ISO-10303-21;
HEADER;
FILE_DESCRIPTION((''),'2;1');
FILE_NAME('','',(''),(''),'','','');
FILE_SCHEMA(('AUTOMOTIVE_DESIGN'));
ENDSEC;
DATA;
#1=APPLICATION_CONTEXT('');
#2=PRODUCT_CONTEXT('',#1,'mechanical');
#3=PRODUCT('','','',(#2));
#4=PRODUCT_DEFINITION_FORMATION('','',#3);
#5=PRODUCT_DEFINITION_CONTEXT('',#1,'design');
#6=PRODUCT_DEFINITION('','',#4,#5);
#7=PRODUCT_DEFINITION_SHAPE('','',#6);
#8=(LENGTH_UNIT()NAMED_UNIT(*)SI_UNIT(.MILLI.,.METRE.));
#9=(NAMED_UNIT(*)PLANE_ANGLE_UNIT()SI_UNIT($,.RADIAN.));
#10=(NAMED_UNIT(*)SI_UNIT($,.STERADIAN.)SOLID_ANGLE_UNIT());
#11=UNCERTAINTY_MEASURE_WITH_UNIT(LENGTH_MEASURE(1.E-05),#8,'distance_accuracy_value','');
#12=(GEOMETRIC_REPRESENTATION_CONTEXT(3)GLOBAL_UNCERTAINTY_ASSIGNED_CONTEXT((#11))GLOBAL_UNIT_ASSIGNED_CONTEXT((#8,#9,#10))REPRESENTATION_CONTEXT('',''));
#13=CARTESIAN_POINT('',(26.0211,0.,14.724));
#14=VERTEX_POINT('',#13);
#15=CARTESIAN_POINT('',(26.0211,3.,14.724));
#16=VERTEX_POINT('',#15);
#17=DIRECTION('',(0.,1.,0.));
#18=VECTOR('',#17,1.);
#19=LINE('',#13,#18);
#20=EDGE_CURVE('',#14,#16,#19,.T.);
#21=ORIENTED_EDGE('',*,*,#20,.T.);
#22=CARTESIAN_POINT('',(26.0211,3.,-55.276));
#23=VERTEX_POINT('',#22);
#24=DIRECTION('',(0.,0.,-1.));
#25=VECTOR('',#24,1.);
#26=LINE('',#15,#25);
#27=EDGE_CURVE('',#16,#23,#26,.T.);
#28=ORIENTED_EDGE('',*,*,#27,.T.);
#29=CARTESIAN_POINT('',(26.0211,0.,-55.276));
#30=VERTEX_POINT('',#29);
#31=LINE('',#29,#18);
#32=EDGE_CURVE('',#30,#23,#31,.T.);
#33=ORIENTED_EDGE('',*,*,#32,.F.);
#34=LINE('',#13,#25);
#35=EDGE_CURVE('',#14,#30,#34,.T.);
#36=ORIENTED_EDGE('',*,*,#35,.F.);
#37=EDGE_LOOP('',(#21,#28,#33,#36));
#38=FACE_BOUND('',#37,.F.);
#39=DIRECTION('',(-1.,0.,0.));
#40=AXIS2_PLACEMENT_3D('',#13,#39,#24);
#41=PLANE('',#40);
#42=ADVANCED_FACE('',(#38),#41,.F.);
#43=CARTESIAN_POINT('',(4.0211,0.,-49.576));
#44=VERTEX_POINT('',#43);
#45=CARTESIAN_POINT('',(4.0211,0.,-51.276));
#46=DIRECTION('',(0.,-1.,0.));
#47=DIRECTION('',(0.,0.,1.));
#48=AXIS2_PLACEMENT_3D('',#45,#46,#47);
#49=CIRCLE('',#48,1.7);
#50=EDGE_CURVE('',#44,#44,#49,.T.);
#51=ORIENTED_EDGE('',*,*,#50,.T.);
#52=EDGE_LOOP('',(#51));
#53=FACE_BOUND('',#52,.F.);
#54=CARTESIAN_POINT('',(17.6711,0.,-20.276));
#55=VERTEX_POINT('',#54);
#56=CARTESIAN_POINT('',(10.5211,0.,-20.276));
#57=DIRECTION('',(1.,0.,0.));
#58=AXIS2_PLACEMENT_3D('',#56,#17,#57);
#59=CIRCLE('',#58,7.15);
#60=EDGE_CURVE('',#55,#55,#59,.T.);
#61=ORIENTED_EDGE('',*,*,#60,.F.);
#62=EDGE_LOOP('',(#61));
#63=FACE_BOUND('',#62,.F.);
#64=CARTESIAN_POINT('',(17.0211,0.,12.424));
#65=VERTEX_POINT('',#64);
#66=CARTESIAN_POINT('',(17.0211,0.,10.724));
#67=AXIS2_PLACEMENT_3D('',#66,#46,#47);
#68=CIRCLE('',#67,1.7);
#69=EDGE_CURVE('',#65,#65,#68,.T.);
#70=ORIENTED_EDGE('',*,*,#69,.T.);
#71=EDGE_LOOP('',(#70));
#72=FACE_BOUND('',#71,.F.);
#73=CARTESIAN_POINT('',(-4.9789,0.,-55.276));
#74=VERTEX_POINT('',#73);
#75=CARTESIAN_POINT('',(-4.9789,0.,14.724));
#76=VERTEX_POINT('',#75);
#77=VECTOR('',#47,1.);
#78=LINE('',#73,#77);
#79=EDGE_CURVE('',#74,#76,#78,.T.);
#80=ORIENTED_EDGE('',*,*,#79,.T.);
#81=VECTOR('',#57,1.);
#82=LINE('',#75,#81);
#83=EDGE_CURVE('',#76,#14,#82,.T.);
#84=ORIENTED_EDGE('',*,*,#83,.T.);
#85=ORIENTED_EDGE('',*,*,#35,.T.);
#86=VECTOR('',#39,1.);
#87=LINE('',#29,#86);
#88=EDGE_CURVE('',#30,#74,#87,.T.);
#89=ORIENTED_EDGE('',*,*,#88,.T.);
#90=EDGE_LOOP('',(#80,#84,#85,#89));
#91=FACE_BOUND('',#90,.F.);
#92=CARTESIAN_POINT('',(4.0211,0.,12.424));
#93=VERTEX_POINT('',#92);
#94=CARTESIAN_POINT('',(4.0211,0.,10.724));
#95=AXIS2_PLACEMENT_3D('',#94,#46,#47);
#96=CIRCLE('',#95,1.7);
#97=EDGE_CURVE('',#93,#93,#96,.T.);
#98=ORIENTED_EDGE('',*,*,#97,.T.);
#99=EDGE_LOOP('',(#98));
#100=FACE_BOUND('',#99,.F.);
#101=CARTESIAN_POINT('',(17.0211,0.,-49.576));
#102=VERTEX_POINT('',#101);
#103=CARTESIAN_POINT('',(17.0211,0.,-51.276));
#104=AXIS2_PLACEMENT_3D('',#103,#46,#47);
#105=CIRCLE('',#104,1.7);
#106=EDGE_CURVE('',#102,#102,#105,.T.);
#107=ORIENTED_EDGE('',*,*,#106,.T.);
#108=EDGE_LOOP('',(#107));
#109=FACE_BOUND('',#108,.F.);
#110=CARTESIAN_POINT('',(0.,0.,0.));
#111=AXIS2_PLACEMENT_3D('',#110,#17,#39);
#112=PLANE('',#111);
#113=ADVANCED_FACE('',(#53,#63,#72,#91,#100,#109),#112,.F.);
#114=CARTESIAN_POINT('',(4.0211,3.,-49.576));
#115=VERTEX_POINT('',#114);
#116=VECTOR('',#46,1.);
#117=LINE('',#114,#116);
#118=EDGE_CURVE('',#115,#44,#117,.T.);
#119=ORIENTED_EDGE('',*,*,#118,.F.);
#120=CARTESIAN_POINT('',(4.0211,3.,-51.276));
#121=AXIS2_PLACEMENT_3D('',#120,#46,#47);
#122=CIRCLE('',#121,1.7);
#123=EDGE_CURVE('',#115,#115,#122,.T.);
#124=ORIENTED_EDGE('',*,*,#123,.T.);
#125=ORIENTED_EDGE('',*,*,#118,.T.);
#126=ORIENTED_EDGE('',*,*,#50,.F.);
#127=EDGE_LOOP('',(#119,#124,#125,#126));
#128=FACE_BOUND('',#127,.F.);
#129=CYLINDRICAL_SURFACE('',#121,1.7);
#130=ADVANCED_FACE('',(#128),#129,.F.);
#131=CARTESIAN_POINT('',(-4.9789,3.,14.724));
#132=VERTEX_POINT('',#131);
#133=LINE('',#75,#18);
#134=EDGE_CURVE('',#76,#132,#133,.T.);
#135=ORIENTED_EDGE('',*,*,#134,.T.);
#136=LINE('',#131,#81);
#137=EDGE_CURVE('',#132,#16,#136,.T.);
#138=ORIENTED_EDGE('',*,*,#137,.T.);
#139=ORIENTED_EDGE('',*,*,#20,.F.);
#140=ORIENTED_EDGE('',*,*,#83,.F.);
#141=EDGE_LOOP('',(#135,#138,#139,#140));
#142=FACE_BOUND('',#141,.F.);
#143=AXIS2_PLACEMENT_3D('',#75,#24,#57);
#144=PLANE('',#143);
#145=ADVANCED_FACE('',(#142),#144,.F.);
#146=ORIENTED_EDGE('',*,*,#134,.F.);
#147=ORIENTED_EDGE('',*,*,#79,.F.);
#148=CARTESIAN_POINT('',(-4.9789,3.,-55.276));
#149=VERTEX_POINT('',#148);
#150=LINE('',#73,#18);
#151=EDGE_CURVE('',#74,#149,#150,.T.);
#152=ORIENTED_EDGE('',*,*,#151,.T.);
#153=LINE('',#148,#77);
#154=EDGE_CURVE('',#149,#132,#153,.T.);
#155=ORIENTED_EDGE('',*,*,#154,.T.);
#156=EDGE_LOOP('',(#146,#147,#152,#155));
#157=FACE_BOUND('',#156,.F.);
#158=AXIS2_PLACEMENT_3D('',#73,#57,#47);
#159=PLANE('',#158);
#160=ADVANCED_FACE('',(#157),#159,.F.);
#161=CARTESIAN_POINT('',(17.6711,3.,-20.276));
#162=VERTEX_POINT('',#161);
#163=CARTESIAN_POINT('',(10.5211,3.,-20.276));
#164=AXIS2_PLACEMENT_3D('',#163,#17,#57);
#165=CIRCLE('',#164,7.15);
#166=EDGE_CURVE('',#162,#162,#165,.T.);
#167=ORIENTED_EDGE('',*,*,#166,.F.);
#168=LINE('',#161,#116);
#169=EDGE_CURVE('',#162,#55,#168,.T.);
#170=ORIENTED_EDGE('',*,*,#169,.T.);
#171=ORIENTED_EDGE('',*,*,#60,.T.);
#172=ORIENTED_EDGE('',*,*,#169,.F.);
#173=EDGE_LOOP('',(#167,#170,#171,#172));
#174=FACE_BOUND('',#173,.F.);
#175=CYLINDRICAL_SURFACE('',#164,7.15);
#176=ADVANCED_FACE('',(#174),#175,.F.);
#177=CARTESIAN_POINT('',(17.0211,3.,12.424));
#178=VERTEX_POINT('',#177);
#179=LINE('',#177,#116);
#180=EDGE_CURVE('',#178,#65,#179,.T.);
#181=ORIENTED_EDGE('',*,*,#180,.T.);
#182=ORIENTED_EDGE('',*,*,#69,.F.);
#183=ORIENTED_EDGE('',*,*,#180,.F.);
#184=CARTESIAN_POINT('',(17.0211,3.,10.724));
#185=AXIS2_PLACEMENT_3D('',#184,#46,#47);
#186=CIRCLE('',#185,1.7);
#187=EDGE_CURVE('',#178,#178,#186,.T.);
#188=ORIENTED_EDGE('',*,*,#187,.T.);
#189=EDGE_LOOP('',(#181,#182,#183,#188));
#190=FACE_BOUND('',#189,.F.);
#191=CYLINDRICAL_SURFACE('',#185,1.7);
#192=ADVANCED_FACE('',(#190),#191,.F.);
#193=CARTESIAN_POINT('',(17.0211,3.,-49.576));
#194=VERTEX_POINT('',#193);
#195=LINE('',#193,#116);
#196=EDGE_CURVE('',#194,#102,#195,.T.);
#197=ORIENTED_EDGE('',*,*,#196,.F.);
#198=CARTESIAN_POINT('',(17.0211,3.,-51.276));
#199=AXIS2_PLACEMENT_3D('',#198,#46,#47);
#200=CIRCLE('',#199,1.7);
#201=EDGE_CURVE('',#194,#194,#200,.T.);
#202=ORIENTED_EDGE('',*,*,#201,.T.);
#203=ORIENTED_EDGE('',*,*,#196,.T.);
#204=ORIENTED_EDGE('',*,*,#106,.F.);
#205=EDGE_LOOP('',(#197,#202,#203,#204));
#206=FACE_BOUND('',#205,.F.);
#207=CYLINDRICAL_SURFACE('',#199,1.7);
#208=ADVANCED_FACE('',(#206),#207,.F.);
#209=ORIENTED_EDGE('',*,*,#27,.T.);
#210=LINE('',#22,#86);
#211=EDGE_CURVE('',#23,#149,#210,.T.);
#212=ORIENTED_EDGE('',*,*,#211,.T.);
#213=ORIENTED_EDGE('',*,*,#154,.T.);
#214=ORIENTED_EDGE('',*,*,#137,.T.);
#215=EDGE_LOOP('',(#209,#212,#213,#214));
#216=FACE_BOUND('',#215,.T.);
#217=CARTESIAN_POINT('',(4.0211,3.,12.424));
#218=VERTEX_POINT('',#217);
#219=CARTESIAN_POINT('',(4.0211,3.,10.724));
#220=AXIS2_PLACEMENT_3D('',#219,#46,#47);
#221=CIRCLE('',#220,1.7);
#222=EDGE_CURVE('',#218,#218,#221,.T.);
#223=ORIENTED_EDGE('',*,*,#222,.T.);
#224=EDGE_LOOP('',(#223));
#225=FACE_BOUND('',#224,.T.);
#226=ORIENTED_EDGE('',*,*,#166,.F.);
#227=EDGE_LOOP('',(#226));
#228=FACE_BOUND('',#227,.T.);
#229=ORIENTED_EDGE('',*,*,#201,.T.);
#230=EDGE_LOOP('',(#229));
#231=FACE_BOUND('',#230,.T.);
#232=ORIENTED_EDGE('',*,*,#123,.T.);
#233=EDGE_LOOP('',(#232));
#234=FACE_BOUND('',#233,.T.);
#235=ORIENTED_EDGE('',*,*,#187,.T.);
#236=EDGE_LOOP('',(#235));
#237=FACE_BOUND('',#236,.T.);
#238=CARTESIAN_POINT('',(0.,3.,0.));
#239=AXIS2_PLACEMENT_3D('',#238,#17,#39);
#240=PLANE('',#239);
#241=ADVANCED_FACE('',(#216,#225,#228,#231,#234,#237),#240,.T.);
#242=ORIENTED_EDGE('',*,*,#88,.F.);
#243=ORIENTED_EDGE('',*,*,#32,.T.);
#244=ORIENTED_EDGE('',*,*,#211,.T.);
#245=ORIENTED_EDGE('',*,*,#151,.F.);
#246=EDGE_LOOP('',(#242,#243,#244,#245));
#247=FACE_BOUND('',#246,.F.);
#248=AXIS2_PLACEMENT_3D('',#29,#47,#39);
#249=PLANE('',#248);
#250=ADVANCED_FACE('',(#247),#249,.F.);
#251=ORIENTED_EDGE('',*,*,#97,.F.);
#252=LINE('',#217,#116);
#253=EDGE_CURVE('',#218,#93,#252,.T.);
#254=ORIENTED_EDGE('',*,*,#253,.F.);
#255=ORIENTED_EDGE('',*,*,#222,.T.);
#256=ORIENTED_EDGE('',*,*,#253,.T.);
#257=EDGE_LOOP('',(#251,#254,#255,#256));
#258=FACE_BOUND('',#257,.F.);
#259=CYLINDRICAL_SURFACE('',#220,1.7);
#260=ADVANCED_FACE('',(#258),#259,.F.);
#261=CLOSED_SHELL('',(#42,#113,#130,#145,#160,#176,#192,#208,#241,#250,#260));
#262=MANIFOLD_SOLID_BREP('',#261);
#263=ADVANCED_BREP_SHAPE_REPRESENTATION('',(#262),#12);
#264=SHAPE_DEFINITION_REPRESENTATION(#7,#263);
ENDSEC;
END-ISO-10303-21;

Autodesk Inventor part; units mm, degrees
ref_plane "YZ Plane" through (0, 0, 0) normal (1, 0, 0) x (0, 1, 0)
ref_plane "XZ Plane" through (0, 0, 0) normal (0, 1, 0) x (-1, 0, 0)
ref_plane "XY Plane" through (0, 0, 0) normal (0, 0, 1) x (1, 0, 0)
sketch "スケッチ1" plane through (0, 0, 0) normal (0, 1, 0) x (-1, 0, 0)
  line L0 (4.9789, 14.724) -> (-26.0211, 14.724)
  line L1 (-26.0211, 14.724) -> (-26.0211, -55.276)
  line L2 (-26.0211, -55.276) -> (4.9789, -55.276)
  line L3 (4.9789, -55.276) -> (4.9789, 14.724)
  point P0 (0, 0)
  dimension "d0" = 31
  dimension "d1" = 70
extrude "押し出し1" add sketch "スケッチ1" along normal blind 3
sketch "スケッチ2" plane through (0, 3, 0) normal (0, 1, 0) x (1, 0, 0)
  circle A0 centre (4.0211, -10.724) radius 1.7
  circle A1 centre (17.0211, -10.724) radius 1.7
  line L0 (-4.9789, 55.276) -> (-4.9789, -14.724) projected
  line L1 (26.0211, -14.724) -> (26.0211, 55.276) projected
  line L2 (-4.9789, -14.724) -> (26.0211, -14.724) projected
  circle A2 centre (4.0211, 51.276) radius 1.7
  line L3 (26.0211, 55.276) -> (-4.9789, 55.276) projected
  circle A3 centre (17.0211, 51.276) radius 1.7
  circle A4 centre (10.5211, 20.276) radius 7.15
  point P0 (0, 0)
  dimension "d4" = 3.4
  dimension "d5" = 3.4
  dimension "d6" = 9
  dimension "d7" = 9
  dimension "d8" = 4
  dimension "d9" = 4
  dimension "d10" = 3.4
  dimension "d11" = 9
  dimension "d12" = 4
  dimension "d13" = 3.4
  dimension "d14" = 9
  dimension "d15" = 4
  dimension "d16" = 14.3
  dimension "d17" = 35
  dimension "d18" = 15.5
hole "穴1" at (4.0211, 3, 10.724) at (17.0211, 3, 10.724) at (17.0211, 3, -51.276) at (4.0211, 3, -51.276) direction (0, -1, 0) diameter 3.4 depth 3
sketch "スケッチ3" plane through (0, 3, 0) normal (0, 1, 0) x (1, 0, 0)
  circle A0 centre (10.5211, 20.276) radius 7.15
  line L0 (-4.9789, 55.276) -> (-4.9789, -14.724) projected
  line L1 (-4.9789, -14.724) -> (26.0211, -14.724) projected
  point P0 (0, 0)
  dimension "d26" = 14.3
  dimension "d27" = 15.5
  dimension "d28" = 35
extrude "押し出し2" cut sketch "スケッチ3" against normal blind 3
properties part number "came1"
